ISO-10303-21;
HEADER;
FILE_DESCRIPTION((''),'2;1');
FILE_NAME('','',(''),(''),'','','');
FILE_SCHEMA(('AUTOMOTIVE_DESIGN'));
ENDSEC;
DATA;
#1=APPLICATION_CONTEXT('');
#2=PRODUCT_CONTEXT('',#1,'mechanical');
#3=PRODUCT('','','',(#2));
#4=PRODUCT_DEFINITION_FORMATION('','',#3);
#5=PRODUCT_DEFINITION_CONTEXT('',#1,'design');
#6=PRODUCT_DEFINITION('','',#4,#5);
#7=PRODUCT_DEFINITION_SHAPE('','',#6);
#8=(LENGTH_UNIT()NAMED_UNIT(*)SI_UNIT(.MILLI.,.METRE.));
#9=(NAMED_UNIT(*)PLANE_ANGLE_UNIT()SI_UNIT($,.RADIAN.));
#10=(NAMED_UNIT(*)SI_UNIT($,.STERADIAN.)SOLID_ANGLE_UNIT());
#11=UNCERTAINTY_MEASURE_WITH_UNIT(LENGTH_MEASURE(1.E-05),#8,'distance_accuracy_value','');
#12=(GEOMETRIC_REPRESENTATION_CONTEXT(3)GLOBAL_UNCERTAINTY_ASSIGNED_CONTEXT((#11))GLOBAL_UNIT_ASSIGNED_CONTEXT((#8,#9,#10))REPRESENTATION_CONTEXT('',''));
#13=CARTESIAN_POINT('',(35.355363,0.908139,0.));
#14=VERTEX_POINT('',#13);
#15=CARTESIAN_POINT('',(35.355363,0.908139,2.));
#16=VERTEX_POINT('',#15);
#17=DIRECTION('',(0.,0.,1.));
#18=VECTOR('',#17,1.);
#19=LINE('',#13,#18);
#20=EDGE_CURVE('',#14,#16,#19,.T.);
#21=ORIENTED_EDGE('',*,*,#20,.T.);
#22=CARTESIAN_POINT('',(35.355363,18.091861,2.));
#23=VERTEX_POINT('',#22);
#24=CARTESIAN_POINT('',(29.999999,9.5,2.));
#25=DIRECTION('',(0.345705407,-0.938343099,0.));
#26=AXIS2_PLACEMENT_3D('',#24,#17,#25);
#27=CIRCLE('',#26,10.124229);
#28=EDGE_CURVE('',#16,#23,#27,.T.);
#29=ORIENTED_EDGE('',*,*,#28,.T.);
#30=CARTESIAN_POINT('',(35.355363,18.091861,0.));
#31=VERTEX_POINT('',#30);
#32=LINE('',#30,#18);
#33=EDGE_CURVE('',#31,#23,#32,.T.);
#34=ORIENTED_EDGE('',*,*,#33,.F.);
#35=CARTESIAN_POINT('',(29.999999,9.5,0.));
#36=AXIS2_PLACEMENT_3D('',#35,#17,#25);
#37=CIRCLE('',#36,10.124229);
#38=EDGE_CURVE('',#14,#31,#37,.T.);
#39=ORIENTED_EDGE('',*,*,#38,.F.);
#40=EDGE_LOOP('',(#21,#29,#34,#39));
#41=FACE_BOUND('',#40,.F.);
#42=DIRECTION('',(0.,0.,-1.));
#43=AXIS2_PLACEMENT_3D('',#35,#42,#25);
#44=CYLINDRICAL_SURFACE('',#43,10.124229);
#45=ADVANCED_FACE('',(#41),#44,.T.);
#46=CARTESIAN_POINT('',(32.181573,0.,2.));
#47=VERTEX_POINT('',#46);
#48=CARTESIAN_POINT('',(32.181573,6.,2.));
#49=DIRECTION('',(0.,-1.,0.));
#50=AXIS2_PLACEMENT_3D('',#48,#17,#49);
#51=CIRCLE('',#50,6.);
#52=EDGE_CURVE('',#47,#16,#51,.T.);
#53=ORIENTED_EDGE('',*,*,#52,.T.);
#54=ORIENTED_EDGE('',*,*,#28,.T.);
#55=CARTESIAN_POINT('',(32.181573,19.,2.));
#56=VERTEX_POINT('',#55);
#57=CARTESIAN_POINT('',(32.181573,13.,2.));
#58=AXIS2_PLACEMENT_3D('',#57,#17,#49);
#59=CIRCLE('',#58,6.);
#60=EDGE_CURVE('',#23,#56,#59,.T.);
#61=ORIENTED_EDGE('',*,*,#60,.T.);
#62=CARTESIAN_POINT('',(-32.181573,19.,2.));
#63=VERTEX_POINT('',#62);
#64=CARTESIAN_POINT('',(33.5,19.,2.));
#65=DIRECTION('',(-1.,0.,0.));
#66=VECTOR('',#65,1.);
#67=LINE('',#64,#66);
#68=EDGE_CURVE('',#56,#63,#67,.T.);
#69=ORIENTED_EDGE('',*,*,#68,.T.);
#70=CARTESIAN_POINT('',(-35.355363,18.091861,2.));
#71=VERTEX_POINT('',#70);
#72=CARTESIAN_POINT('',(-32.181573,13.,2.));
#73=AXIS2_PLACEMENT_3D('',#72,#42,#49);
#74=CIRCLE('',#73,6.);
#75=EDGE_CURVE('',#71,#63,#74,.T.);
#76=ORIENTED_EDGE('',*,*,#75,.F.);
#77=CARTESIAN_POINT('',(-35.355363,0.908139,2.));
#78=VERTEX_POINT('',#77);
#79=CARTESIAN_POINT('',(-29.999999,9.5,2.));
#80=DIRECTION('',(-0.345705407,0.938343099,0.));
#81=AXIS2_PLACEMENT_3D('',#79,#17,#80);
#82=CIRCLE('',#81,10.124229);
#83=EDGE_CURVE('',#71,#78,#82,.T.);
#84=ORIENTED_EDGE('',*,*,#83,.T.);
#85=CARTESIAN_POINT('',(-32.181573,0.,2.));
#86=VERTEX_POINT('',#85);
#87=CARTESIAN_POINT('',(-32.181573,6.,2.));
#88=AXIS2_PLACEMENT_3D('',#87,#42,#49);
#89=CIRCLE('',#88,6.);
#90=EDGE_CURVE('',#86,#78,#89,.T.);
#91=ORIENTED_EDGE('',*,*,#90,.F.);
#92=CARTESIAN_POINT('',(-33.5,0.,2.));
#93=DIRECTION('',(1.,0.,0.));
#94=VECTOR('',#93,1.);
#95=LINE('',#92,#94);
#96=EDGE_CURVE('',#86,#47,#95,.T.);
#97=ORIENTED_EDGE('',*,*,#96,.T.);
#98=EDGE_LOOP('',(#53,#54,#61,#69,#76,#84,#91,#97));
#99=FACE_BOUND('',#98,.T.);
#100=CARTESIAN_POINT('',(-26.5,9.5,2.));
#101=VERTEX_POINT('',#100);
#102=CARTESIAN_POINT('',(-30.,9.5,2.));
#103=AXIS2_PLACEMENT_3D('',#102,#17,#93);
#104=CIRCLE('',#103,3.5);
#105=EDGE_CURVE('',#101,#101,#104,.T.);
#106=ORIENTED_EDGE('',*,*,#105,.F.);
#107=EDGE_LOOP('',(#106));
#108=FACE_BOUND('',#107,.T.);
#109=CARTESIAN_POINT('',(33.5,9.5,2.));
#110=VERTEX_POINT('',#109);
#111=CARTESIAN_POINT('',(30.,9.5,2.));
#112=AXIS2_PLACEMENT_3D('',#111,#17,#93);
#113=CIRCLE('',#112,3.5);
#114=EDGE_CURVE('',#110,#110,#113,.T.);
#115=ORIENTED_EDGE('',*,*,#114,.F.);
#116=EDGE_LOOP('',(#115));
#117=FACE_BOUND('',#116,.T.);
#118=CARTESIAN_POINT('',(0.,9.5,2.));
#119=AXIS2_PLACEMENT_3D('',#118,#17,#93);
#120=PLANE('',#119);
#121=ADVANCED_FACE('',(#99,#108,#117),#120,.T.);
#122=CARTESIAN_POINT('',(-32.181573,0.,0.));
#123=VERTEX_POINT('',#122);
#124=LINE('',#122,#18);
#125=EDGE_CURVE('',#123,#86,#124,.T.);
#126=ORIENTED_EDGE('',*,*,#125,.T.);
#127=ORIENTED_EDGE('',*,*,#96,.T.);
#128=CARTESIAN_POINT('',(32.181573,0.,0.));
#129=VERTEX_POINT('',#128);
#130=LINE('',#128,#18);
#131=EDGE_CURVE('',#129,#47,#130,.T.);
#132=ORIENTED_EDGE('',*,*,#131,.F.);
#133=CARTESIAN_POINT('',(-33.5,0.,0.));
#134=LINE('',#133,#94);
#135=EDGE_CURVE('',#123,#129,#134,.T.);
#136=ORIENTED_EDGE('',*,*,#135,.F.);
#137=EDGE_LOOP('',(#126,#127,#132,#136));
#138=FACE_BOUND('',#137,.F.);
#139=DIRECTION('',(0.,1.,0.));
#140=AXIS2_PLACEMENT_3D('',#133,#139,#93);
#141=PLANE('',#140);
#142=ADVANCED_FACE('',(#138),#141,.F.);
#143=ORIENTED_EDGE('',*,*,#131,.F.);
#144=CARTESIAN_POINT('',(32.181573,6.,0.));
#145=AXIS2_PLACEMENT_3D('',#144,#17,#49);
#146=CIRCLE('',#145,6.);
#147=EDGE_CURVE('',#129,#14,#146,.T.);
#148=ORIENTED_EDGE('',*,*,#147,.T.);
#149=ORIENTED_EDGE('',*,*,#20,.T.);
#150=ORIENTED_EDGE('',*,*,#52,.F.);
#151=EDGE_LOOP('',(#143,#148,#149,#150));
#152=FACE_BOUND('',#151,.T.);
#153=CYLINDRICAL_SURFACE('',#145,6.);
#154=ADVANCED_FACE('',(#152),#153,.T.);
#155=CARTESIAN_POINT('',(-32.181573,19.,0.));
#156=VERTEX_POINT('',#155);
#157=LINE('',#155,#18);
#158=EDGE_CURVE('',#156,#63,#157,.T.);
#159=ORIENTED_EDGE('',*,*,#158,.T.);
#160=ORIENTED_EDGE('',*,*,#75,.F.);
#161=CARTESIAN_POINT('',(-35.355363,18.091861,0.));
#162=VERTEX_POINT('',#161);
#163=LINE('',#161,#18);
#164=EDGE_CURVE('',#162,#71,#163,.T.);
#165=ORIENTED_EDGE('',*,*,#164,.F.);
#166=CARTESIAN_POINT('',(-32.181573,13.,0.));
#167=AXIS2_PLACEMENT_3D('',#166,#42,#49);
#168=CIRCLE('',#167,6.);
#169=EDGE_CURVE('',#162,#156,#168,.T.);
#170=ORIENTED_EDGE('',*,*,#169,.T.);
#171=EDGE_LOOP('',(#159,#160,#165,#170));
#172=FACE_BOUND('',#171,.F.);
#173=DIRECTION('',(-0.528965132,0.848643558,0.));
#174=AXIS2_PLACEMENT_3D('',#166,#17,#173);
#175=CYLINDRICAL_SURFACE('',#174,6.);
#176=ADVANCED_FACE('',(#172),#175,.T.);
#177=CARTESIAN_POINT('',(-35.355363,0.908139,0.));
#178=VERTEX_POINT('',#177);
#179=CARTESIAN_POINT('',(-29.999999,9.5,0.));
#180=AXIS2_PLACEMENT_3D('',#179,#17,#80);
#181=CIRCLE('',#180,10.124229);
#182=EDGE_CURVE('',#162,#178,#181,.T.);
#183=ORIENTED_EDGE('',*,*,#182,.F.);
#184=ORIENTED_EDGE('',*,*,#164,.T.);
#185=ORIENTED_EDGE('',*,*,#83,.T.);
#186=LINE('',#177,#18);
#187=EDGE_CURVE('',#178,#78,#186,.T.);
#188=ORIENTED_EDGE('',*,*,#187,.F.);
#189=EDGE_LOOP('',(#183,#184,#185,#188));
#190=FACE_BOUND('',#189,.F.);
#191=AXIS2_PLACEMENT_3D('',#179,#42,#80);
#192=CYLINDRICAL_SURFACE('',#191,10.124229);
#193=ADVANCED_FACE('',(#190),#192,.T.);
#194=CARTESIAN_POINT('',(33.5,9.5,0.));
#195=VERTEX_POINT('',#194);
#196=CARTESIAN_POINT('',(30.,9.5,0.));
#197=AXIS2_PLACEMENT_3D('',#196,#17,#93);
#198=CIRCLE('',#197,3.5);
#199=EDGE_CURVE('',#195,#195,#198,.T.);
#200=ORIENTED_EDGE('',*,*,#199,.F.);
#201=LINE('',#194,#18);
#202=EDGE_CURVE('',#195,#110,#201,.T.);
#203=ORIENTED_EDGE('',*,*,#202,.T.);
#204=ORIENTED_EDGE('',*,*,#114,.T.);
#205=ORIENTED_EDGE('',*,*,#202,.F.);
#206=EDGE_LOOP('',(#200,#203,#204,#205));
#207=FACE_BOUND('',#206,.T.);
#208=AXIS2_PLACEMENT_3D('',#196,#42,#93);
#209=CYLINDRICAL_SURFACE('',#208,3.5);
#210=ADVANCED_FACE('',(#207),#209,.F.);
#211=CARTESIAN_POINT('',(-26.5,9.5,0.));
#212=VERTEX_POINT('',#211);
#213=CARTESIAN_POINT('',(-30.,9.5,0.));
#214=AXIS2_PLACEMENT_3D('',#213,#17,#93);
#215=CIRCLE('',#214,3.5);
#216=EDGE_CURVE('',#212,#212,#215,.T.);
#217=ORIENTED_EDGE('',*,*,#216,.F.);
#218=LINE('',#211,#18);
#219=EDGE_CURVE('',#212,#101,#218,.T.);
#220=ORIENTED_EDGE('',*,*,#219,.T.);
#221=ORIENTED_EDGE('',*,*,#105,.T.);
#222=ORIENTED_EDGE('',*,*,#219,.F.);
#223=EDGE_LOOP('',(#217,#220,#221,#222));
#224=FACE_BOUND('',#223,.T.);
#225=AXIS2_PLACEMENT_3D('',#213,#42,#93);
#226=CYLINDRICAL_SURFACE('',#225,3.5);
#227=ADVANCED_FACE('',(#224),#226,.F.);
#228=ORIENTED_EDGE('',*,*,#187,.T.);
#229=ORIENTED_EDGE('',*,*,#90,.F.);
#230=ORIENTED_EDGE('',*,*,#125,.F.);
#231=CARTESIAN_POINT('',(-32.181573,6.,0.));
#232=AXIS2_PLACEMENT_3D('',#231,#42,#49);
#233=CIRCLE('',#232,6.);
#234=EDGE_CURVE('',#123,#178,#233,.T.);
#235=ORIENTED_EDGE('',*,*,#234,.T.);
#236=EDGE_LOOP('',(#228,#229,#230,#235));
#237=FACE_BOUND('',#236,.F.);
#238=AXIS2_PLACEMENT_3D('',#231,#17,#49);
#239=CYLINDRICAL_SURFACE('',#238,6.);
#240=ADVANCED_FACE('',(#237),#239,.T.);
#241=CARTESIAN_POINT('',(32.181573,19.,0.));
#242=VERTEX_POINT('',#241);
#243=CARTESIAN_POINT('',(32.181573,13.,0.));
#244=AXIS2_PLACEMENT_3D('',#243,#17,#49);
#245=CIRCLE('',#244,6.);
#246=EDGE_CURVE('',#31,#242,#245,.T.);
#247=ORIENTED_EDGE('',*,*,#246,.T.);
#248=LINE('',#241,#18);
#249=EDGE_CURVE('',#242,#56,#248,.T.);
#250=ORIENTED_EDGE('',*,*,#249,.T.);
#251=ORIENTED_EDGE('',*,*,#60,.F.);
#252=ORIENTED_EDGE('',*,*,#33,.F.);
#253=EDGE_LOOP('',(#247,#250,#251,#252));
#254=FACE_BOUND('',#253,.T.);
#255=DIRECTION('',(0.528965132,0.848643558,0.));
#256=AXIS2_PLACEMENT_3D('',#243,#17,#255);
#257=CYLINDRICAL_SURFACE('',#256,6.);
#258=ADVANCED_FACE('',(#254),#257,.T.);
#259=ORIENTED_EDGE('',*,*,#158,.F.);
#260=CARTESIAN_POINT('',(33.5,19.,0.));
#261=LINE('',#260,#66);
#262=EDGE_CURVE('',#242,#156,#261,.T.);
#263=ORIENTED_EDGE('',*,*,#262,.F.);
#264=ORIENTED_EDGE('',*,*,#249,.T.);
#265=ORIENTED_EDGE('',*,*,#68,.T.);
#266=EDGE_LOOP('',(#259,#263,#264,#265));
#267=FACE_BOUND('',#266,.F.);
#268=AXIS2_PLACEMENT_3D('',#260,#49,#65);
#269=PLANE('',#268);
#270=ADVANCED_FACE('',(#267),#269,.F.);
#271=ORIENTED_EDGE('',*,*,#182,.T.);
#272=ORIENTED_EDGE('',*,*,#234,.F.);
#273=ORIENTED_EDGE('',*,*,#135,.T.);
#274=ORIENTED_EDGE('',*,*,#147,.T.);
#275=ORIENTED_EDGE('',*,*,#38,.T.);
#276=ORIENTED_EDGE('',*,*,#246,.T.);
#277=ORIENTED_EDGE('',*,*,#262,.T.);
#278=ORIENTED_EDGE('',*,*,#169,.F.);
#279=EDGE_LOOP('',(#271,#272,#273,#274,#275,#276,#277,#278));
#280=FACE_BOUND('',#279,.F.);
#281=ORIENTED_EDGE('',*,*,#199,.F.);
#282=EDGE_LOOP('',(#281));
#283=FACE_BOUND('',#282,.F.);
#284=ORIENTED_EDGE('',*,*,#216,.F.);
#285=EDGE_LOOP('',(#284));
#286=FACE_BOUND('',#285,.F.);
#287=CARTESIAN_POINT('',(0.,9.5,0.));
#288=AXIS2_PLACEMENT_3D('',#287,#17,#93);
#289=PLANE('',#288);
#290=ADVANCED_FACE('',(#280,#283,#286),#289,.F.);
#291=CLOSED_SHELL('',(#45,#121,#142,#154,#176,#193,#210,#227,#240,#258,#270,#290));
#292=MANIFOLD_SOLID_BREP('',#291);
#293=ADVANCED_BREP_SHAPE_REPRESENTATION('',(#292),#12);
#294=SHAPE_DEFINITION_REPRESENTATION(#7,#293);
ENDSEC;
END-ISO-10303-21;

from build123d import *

# Parameters (mm, degrees)
F0_R     = 3.5
F1_DEPTH = 2
F2_R     = 6


with BuildPart() as f1:
    # F0 (on Top) → F1 (new body)
    with BuildSketch(Plane.XY):
        with BuildLine():
            Line((-33.5, 0), (0, 0))
            Line((0, 0), (33.5, 0))
            ThreePointArc((33.5, 0), (40.124228, 9.5), (33.5, 19))
            Line((33.5, 19), (0, 19))
            Line((0, 19), (-33.5, 19))
            ThreePointArc((-33.5, 19), (-40.124228, 9.5), (-33.5, 0))
        make_face()
        with Locations((-30, 9.5)):
            Circle(F0_R, mode=Mode.SUBTRACT)
        with Locations((30, 9.5)):
            Circle(F0_R, mode=Mode.SUBTRACT)
    extrude(amount=F1_DEPTH)

    # F2
    f2_edges = [f1.edges().sort_by_distance(p)[0] for p in [
        (-33.5, 0, 1),
        (-33.5, 19, 1),
        (33.5, 19, 1),
        (33.5, 0, 1),
    ]]
    fillet(f2_edges, radius=F2_R)


solid = f1.part
